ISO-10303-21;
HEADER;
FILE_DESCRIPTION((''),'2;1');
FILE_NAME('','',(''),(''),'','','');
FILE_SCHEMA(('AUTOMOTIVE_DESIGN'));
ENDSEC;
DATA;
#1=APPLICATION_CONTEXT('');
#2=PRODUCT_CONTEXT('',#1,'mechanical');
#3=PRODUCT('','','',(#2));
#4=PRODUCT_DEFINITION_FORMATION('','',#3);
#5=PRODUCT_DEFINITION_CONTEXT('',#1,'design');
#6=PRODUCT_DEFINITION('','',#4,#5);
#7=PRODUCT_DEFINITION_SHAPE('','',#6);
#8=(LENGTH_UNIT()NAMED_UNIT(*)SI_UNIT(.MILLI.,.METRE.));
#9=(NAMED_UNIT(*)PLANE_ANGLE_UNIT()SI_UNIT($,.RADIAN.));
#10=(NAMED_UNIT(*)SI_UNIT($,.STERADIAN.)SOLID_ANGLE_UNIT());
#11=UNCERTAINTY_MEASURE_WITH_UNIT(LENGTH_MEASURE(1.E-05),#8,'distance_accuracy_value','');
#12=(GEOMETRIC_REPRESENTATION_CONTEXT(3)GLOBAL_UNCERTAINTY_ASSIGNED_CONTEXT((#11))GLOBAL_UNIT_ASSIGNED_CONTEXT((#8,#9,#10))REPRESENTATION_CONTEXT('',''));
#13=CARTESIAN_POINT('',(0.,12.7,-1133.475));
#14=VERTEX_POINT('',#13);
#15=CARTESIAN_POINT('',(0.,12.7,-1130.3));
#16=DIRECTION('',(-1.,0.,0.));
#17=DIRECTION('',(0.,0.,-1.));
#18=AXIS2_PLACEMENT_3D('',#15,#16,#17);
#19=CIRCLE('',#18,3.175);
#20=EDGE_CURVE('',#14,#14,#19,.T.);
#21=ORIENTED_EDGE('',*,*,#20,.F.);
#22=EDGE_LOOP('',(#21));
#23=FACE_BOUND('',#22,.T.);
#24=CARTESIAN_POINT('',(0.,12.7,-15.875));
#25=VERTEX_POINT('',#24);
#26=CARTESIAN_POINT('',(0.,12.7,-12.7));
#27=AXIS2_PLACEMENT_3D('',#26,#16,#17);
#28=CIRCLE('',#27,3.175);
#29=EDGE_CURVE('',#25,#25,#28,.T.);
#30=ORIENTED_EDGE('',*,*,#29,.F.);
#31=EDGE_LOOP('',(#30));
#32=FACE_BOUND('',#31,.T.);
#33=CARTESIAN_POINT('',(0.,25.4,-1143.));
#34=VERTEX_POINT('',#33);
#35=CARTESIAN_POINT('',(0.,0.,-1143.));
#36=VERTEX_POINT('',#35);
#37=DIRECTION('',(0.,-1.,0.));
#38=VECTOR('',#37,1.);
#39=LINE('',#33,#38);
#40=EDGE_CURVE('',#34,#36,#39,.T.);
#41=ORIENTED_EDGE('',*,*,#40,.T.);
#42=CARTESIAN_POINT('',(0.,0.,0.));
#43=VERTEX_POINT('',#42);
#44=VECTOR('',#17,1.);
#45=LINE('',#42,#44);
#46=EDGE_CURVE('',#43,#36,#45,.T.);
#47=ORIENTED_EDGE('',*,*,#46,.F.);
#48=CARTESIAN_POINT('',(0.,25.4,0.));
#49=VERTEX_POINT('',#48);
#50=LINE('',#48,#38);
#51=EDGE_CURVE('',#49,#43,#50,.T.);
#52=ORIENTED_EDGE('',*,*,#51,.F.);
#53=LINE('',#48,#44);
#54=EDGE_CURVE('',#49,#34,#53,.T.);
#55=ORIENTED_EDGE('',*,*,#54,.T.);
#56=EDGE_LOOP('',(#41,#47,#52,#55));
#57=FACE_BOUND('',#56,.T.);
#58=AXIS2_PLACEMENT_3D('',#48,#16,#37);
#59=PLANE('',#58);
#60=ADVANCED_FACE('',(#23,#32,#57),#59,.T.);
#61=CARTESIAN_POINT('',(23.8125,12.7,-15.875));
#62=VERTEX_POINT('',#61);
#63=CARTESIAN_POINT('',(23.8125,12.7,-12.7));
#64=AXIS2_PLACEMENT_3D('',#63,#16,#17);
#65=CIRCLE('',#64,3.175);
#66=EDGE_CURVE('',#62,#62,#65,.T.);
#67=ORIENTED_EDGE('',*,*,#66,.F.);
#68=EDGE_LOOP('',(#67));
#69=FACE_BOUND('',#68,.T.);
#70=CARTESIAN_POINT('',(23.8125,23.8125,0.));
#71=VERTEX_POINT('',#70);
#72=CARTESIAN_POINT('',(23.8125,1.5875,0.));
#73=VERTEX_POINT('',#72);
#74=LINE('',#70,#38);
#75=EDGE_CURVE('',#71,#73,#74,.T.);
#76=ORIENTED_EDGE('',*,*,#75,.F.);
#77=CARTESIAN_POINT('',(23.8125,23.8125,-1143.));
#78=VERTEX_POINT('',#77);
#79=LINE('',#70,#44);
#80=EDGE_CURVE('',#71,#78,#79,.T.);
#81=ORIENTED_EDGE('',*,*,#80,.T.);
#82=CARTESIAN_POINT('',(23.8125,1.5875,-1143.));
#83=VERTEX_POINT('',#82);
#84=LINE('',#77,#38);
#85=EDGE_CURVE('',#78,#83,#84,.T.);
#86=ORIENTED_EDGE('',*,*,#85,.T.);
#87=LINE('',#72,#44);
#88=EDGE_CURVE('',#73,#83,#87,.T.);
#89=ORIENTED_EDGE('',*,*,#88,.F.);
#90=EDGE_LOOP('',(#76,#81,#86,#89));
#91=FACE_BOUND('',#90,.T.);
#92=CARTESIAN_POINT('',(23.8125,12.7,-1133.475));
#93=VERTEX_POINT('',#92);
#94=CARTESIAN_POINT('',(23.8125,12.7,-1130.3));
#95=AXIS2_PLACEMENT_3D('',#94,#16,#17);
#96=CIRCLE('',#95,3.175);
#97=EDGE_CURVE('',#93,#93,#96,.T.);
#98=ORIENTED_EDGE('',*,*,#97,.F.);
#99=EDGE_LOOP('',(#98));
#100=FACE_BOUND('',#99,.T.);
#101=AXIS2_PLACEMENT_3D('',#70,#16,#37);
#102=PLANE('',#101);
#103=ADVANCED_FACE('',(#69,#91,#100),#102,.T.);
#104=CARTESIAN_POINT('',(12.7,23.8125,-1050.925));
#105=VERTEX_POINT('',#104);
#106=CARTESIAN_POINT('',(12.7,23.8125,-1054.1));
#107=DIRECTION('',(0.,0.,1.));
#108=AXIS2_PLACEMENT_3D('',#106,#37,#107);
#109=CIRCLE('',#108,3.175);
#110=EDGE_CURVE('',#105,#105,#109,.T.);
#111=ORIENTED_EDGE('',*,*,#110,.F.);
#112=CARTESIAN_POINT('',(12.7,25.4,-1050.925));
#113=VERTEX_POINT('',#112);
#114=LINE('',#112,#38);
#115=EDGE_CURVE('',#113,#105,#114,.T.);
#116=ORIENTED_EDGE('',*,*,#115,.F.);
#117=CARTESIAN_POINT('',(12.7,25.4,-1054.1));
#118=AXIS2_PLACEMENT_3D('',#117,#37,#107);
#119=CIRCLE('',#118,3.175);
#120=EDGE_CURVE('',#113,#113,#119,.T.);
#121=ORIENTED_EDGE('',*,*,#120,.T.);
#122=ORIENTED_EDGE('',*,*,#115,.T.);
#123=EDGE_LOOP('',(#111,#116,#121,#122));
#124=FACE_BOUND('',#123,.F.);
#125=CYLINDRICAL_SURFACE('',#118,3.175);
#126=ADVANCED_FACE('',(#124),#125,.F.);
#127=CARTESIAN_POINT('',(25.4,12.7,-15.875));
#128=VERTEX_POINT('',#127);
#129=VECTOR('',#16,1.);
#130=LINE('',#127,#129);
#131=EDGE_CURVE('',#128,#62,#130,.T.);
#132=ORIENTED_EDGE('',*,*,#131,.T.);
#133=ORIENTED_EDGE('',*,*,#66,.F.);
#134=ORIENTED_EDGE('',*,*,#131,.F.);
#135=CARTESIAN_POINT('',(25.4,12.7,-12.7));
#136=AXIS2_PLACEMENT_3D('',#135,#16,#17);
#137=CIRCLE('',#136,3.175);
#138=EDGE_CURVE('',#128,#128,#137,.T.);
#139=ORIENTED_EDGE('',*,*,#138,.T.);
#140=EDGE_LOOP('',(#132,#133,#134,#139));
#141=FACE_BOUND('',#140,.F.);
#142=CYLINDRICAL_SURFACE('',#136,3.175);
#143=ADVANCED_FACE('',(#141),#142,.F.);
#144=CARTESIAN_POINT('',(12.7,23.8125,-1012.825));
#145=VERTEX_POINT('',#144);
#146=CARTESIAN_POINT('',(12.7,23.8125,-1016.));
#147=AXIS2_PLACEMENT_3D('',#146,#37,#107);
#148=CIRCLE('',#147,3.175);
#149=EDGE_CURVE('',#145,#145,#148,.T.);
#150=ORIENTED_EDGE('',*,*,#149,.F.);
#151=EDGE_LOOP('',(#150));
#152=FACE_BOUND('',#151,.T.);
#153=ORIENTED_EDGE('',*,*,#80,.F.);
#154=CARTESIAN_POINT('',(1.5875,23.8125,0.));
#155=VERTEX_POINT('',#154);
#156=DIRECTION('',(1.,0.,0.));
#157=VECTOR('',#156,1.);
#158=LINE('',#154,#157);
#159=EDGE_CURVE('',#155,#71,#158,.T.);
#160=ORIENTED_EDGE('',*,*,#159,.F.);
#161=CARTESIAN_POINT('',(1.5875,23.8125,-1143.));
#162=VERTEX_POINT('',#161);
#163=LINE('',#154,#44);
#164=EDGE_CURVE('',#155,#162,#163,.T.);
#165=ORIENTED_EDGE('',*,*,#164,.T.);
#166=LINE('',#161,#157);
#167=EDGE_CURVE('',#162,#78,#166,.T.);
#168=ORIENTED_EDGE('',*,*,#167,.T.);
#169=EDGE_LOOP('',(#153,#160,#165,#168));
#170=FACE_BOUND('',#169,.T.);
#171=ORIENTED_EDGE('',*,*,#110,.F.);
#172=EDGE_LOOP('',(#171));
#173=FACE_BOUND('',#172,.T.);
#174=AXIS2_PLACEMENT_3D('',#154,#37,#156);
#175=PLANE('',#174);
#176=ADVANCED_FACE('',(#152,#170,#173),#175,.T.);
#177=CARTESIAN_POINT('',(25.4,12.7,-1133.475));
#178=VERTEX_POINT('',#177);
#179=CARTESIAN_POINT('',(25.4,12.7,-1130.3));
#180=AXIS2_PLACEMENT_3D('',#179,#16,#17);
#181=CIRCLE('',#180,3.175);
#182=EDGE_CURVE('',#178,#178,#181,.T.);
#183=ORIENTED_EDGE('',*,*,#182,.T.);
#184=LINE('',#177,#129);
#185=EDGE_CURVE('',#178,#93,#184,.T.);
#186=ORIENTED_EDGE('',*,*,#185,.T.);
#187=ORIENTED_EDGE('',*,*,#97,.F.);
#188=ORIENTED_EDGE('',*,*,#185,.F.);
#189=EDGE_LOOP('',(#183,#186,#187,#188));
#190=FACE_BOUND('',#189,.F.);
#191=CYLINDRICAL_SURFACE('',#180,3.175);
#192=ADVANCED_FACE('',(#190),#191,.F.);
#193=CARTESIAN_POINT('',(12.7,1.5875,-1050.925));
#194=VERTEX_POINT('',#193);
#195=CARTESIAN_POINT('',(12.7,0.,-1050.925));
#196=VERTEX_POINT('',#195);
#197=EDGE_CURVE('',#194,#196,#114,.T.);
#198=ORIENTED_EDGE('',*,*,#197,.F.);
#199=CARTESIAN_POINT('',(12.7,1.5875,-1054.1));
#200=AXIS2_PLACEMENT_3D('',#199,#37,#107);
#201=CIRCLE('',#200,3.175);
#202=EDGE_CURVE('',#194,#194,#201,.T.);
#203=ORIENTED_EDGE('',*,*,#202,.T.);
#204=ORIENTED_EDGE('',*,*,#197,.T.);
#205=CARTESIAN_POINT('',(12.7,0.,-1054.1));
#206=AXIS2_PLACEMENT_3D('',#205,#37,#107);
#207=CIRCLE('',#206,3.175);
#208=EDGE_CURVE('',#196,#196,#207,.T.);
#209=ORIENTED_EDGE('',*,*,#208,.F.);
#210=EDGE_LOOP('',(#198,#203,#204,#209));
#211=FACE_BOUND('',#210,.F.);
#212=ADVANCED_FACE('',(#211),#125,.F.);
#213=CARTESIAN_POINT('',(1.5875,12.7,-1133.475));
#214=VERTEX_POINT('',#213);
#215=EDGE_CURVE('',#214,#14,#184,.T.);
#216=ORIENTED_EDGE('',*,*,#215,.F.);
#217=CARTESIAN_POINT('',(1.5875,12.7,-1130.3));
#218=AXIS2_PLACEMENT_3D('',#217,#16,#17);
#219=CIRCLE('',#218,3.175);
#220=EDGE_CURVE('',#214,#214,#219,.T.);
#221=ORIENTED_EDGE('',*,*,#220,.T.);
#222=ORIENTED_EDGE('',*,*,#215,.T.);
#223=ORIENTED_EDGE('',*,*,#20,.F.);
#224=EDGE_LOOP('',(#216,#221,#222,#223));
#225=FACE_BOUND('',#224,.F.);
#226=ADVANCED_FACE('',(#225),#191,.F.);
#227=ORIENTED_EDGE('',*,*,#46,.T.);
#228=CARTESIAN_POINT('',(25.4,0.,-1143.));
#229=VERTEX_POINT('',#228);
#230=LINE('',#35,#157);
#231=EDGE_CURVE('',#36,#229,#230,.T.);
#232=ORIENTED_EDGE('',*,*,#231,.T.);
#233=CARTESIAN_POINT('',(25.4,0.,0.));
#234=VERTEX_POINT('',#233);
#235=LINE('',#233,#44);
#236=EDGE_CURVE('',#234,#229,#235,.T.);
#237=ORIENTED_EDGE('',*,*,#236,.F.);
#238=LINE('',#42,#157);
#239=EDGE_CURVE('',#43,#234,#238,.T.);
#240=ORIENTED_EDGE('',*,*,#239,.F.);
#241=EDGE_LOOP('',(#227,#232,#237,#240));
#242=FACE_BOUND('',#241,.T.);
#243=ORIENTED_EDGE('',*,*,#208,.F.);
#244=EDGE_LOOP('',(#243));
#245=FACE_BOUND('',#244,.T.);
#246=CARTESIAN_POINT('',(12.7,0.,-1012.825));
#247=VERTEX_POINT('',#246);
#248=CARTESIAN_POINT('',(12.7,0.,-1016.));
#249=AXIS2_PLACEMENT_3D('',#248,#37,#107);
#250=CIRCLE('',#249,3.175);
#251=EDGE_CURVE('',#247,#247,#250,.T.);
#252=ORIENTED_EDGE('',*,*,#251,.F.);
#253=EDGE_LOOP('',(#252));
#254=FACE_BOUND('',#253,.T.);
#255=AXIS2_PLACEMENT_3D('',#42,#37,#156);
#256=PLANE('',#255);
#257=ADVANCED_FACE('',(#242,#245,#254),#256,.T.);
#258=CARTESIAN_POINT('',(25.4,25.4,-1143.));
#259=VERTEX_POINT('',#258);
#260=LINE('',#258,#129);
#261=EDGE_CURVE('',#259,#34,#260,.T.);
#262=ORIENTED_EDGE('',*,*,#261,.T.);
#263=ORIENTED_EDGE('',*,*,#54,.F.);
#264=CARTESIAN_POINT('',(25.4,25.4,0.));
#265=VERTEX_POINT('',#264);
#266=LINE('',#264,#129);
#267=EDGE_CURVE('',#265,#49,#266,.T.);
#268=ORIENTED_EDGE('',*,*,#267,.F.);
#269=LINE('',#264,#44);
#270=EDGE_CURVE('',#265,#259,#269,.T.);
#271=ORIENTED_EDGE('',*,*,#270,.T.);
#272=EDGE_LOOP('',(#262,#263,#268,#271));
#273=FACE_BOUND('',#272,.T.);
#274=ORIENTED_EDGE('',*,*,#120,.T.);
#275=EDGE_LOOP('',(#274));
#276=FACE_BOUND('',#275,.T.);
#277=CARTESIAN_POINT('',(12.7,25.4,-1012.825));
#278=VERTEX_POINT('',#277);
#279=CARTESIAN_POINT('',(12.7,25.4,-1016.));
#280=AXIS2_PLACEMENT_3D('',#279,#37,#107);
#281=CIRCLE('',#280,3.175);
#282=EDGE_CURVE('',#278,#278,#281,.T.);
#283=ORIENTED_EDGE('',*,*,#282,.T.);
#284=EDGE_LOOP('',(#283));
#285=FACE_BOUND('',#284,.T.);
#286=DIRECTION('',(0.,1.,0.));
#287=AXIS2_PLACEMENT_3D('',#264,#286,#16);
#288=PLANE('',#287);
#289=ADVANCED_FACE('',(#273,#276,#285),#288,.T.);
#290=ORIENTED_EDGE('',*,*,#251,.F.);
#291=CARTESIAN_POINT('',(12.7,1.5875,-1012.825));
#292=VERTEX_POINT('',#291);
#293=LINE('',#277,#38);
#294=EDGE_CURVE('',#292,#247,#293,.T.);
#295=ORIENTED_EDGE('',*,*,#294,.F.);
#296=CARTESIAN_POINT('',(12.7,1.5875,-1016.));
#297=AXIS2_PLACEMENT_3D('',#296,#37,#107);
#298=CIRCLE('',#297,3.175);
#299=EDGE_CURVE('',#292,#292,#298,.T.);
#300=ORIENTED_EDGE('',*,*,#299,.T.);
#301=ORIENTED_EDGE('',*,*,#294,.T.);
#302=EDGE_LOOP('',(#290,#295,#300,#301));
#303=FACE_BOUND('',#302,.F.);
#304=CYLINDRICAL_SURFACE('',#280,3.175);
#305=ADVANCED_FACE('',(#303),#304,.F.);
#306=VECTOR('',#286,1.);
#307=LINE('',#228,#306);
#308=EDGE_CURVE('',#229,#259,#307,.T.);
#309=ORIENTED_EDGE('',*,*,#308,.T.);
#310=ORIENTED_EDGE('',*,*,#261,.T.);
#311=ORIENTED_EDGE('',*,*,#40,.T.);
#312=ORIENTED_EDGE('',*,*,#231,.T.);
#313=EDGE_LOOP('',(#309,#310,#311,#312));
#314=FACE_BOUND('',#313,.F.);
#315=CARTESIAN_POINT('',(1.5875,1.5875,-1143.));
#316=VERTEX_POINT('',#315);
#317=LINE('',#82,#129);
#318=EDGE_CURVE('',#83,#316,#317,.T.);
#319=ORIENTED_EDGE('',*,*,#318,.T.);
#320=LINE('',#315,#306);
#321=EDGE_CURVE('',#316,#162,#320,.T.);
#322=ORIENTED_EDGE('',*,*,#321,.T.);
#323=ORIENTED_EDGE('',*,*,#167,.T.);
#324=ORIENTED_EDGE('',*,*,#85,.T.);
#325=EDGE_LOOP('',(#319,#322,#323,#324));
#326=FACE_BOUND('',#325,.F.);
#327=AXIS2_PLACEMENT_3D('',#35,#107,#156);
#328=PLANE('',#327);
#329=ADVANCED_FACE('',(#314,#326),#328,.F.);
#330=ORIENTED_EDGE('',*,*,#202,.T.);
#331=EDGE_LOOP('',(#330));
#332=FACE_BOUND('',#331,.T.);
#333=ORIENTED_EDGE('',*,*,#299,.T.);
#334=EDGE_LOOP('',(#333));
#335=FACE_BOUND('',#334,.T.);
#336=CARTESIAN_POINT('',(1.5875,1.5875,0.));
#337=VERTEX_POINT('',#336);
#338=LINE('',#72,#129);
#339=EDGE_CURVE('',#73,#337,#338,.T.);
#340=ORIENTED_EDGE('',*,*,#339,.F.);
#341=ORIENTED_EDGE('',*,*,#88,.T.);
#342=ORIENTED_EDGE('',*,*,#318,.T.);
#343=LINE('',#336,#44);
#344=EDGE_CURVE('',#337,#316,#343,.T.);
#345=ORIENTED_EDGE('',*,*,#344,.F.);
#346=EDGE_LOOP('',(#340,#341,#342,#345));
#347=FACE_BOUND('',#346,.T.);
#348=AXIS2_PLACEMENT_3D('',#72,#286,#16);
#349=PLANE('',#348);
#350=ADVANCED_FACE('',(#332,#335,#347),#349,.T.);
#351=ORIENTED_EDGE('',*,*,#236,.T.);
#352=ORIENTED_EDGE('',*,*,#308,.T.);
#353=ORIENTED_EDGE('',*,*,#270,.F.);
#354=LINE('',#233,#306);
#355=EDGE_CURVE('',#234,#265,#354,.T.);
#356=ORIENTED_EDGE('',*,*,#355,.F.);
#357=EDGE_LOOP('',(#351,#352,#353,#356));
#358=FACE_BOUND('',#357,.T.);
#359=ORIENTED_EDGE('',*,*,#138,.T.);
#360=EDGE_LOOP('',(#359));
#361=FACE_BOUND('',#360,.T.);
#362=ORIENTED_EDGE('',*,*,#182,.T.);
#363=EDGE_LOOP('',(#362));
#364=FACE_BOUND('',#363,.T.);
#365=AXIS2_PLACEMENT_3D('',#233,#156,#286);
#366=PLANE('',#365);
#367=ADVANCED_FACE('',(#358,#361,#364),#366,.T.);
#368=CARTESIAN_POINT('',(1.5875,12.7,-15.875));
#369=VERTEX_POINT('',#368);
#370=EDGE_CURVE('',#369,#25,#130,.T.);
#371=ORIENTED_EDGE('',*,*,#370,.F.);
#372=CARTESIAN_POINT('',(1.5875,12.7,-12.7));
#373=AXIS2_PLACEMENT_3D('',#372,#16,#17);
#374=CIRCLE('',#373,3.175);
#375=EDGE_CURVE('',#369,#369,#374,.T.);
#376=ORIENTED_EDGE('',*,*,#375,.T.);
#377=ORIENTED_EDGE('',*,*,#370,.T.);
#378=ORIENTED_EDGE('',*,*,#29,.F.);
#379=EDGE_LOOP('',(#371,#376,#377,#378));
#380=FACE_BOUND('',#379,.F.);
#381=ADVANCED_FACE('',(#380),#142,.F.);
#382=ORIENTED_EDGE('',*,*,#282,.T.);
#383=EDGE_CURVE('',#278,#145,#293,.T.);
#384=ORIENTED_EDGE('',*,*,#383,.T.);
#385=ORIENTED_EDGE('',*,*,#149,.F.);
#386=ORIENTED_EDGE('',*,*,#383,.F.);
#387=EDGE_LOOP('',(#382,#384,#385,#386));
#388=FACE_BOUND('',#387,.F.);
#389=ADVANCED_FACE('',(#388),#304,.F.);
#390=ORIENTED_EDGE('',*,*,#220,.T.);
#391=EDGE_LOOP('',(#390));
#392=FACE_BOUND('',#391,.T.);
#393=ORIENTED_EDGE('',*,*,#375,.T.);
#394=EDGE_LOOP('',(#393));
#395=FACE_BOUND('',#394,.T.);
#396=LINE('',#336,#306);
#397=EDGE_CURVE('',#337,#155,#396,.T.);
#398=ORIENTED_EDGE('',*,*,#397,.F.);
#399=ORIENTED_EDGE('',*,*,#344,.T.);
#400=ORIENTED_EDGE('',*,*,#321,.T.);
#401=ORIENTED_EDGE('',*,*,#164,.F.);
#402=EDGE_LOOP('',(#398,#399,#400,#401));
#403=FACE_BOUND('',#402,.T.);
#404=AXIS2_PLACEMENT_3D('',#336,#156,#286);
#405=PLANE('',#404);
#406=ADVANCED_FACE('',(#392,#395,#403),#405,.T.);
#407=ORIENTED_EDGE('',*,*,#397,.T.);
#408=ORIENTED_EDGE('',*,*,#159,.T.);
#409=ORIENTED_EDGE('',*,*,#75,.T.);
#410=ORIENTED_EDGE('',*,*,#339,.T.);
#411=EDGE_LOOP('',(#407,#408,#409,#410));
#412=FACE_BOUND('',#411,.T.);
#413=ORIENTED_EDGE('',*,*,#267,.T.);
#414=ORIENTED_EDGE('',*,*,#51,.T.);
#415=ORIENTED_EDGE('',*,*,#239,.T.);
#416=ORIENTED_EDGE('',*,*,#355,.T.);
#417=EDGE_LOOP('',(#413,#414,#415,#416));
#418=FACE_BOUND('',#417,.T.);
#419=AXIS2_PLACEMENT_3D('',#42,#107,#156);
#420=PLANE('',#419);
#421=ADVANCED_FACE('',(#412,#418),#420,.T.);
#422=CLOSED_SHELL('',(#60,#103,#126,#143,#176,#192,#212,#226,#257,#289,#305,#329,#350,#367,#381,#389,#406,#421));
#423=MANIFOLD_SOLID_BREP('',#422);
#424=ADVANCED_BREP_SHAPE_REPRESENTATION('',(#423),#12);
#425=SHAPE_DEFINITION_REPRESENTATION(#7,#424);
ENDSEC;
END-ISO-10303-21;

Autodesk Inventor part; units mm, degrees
ref_plane "YZ Plane" through (0, 0, 0) normal (1, 0, 0) x (0, 1, 0)
ref_plane "XZ Plane" through (0, 0, 0) normal (0, 1, 0) x (-1, 0, 0)
ref_plane "XY Plane" through (0, 0, 0) normal (0, 0, 1) x (1, 0, 0)
sketch "Sketch1" plane through (0, 0, 0) normal (0, 0, 1) x (1, 0, 0)
  line L0 (0, 0) -> (25.4, 0)
  line L1 (25.4, 0) -> (25.4, 25.4)
  line L2 (25.4, 25.4) -> (0, 25.4)
  line L3 (0, 25.4) -> (0, 0)
  line L4 (1.5875, 23.8125) -> (23.8125, 23.8125)
  line L5 (23.8125, 23.8125) -> (23.8125, 1.5875)
  line L6 (23.8125, 1.5875) -> (1.5875, 1.5875)
  line L7 (1.5875, 1.5875) -> (1.5875, 23.8125)
  dimension "d0" = 25.4
  dimension "d1" = 25.4
  dimension "d2" = 1.5875
extrude "Extrusion1" add sketch "Sketch1" against normal blind 1143
sketch "Sketch2" plane through (25.4, 0, 0) normal (1, 0, 0) x (0, 0, -1)
  line L0 (1143, 0) -> (1143, 25.4) projected
  line L1 (0, 0) -> (0, 25.4) projected
  point P0 (12.7, 12.7)
  point P1 (1130.3, 12.7)
  dimension "d5" = 12.7
  dimension "d6" = 12.7
hole "Hole1" at (25.4, 12.7, -12.7) at (25.4, 12.7, -1130.3) direction (-1, 0, 0) diameter 6.35 depth 25.4 tip angle 118
sketch "Sketch3" plane through (0, 25.4, 0) normal (0, 1, 0) x (1, 0, 0)
  line L0 (25.4, 1143) -> (0, 1143) projected
  point P0 (12.7, 1016)
  point P1 (12.7, 1054.1)
  dimension "d14" = 38.1
  dimension "d23" = 88.9
hole "Hole2" at (12.7, 25.4, -1016) at (12.7, 25.4, -1054.1) direction (0, -1, 0) diameter 6.35 depth 25.4 tip angle 118
properties part number "1tube_40"
